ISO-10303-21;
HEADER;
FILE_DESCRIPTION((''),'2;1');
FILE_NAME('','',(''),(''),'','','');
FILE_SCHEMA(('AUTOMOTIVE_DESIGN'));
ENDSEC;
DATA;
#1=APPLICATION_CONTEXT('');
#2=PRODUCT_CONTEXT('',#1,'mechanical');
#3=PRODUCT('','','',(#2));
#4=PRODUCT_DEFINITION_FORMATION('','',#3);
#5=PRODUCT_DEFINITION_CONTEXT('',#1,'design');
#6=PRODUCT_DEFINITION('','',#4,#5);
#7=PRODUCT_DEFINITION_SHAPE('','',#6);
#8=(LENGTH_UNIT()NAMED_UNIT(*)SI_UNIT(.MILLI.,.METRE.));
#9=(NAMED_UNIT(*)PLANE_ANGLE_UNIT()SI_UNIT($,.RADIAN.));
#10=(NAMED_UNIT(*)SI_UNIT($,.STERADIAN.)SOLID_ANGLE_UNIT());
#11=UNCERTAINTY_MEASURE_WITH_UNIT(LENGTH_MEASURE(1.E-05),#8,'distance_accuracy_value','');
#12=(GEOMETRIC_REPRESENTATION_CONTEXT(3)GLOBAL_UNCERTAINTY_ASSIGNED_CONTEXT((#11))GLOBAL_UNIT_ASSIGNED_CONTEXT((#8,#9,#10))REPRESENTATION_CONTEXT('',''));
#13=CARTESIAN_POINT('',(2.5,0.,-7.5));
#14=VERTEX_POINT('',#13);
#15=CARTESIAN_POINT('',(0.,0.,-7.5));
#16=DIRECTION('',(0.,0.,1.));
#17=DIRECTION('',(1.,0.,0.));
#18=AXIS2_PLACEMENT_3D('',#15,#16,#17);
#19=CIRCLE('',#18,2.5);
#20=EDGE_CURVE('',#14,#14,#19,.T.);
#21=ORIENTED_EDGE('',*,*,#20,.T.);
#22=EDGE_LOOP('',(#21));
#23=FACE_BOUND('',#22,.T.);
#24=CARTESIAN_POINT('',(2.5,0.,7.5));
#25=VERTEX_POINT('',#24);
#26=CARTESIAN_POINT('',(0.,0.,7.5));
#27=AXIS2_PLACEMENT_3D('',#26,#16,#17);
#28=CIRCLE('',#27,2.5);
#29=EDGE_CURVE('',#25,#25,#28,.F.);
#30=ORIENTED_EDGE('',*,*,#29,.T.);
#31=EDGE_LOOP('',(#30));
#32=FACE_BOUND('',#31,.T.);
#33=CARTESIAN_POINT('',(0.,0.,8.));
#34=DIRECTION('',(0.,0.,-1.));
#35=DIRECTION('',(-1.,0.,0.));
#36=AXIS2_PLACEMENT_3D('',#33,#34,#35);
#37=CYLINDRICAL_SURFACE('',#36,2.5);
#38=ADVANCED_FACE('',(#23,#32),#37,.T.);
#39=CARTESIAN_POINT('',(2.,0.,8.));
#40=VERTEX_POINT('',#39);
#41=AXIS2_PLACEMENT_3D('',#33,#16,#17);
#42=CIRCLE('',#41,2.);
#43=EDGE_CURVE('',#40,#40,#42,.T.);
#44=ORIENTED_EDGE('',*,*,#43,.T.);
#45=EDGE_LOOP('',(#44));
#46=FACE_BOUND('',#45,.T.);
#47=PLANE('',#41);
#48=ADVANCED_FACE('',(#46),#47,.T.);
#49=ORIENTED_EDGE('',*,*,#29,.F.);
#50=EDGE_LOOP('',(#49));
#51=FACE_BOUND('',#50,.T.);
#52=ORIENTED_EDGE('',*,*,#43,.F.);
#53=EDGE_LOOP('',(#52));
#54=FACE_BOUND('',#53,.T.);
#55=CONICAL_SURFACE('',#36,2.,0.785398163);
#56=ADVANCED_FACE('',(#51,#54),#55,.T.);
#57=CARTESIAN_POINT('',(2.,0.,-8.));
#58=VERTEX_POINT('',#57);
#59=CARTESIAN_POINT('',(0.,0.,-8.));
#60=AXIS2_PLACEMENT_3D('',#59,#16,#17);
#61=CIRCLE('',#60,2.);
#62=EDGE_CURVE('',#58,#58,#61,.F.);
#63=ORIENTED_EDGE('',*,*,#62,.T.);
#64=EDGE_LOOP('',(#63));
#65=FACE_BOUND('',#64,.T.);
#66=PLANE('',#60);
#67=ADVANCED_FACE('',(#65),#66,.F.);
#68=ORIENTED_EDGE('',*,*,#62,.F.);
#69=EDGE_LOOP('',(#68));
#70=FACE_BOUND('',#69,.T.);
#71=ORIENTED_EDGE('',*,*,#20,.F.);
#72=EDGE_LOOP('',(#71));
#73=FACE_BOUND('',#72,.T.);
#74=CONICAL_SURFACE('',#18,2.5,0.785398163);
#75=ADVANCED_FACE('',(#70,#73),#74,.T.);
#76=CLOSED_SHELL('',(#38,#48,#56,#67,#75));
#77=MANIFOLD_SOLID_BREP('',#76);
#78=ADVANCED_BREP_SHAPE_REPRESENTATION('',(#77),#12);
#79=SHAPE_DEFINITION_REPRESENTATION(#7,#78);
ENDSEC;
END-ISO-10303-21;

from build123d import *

# Parameters (mm, degrees)
SKETCH1_R           = 2.5
BOSS_EXTRUDE1_DEPTH = 8
CHAMFER1_SIZE       = 0.5


with BuildPart() as part:
    # Sketch1 → Boss-Extrude1 (new body, symmetric)
    with BuildSketch(Plane.XY):
        Circle(SKETCH1_R)
    extrude(amount=BOSS_EXTRUDE1_DEPTH, both=True)

    # Chamfer1
    chamfer1_edges = [part.edges().sort_by_distance(p)[0] for p in [
        (-2.5, 0, -8),
        (-2.5, 0, 8),
    ]]
    chamfer(chamfer1_edges, length=CHAMFER1_SIZE)


solid = part.part
